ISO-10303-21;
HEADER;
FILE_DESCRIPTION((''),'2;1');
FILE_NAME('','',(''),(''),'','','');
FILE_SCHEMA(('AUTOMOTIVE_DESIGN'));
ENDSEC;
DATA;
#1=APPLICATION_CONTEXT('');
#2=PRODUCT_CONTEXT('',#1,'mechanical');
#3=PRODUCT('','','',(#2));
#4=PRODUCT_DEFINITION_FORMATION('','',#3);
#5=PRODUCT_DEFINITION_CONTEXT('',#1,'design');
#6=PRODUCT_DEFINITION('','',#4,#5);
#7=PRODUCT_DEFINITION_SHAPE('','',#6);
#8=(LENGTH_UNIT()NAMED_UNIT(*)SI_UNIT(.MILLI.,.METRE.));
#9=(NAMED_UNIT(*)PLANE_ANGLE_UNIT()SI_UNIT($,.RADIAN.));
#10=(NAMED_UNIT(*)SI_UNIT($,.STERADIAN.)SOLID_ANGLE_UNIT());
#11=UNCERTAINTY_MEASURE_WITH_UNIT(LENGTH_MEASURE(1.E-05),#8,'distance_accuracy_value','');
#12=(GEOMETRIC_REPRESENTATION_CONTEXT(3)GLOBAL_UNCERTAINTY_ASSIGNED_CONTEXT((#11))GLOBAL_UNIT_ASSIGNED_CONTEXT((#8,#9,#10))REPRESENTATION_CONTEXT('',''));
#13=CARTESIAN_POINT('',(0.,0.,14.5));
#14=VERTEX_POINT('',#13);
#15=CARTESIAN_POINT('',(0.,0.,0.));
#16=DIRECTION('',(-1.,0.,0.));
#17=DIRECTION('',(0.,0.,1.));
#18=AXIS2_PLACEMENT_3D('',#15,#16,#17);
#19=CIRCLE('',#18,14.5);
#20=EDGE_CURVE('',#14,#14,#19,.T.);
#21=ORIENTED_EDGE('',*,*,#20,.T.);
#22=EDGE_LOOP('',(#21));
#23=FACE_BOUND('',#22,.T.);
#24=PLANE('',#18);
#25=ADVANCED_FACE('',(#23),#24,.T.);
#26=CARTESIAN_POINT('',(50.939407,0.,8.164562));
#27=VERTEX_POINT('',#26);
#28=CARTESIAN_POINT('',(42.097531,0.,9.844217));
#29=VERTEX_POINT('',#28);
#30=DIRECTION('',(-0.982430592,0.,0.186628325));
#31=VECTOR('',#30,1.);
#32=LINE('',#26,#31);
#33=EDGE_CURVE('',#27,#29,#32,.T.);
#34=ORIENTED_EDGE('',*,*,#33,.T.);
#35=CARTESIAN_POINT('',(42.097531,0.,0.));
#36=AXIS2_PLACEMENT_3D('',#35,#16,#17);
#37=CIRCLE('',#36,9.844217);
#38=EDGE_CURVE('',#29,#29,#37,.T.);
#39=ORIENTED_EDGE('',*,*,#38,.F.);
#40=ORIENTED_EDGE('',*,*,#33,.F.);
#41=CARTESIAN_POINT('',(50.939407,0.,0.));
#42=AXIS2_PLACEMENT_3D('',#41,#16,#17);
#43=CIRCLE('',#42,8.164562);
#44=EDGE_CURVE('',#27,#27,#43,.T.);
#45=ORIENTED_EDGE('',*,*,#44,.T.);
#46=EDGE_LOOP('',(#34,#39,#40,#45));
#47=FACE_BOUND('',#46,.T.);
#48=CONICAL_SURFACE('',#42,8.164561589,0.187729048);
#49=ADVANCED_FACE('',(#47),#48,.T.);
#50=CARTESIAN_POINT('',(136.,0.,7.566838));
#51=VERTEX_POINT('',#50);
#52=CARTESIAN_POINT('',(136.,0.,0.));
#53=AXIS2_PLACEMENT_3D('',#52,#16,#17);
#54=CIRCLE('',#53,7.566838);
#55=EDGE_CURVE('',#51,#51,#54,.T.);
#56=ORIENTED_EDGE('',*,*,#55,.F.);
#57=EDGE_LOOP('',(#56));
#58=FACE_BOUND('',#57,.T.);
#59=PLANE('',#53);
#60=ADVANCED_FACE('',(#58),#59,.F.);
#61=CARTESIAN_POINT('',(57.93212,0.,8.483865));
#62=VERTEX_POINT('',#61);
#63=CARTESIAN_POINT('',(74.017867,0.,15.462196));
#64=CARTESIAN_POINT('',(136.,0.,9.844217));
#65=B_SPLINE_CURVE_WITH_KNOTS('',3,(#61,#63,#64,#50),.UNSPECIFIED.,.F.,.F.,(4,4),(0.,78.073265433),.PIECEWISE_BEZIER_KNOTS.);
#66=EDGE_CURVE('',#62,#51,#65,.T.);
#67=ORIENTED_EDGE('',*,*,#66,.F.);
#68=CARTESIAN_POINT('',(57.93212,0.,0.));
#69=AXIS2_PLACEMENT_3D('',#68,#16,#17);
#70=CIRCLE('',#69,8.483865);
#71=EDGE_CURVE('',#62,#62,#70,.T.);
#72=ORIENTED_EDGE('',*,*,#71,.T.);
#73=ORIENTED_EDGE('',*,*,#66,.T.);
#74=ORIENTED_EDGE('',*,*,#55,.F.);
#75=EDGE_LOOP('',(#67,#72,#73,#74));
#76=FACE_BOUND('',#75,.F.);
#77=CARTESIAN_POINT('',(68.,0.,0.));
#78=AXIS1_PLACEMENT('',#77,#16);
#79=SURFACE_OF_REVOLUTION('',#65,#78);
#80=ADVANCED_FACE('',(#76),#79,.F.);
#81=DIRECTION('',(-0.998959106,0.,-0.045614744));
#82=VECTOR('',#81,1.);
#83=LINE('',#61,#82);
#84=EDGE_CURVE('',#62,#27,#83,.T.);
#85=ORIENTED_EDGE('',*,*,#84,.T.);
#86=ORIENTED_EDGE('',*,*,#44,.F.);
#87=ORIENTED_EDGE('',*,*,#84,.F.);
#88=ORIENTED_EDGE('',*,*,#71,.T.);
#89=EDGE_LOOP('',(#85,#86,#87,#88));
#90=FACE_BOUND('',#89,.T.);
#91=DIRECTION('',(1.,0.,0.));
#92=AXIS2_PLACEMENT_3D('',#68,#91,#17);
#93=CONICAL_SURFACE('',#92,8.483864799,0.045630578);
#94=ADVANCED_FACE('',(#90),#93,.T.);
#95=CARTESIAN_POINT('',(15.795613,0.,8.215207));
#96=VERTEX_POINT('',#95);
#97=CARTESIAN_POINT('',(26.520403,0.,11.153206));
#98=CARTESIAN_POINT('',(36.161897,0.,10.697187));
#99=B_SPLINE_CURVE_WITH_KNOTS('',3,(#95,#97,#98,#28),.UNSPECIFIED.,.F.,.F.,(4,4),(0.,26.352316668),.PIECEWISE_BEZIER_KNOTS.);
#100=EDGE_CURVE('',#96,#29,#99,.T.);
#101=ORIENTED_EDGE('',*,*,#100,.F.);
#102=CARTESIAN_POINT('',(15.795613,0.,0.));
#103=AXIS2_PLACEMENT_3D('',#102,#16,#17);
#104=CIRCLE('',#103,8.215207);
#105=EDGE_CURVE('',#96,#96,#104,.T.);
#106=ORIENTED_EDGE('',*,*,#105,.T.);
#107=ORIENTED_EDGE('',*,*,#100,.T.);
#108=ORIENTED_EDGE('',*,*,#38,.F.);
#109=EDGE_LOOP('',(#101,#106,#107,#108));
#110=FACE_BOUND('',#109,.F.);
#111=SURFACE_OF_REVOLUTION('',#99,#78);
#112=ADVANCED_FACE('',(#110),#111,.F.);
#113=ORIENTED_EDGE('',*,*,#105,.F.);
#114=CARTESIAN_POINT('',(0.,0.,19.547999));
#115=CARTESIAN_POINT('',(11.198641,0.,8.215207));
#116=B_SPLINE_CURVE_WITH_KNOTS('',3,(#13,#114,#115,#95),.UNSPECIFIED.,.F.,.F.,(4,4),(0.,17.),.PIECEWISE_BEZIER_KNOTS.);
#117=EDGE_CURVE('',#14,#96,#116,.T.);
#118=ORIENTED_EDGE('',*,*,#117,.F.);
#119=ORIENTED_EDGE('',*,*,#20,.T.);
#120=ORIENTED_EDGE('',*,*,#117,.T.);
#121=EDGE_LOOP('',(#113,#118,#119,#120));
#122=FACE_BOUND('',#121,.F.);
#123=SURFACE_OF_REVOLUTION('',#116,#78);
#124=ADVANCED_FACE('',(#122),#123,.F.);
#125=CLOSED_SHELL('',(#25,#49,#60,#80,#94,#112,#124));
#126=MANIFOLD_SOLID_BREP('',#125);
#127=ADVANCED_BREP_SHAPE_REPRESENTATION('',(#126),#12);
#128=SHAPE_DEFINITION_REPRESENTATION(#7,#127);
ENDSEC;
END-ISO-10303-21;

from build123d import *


with BuildPart() as f1:
    # F0 (on Front) → F1 (revolve)
    with BuildSketch(Plane.XZ):
        with BuildLine():
            Line((0, 0), (136, 0))
            Line((136, 0), (136, 7.5668375939))
            add(Edge.make_bspline(
                [(57.932120328, 8.4838647993), (74.0178674459, 15.4621964321), (136, 9.8442165181), (136, 7.5668375939)],
                knots=[0, 0, 0, 0, 78.073265433, 78.073265433, 78.073265433, 78.073265433], degree=3))
            Line((57.932120328, 8.4838647993), (50.9394065873, 8.1645615891))
            Line((50.9394065873, 8.1645615891), (42.0975312591, 9.8442165181))
            add(Edge.make_bspline(
                [(15.7956126534, 8.215207171), (26.520403102, 11.1532055438), (36.1618974445, 10.6971871138), (42.0975312591, 9.8442165181)],
                knots=[0, 0, 0, 0, 26.3523166684, 26.3523166684, 26.3523166684, 26.3523166684], degree=3))
            add(Edge.make_bspline(
                [(0, 14.5), (0, 19.5479989052), (11.198640801, 8.215207171), (15.7956126534, 8.215207171)],
                knots=[0, 0, 0, 0, 17, 17, 17, 17], degree=3))
            Line((0, 14.5), (0, 0))
        make_face()
    revolve(axis=Axis((68, 0, 0), (-1, 0, 0)))


solid = f1.part
